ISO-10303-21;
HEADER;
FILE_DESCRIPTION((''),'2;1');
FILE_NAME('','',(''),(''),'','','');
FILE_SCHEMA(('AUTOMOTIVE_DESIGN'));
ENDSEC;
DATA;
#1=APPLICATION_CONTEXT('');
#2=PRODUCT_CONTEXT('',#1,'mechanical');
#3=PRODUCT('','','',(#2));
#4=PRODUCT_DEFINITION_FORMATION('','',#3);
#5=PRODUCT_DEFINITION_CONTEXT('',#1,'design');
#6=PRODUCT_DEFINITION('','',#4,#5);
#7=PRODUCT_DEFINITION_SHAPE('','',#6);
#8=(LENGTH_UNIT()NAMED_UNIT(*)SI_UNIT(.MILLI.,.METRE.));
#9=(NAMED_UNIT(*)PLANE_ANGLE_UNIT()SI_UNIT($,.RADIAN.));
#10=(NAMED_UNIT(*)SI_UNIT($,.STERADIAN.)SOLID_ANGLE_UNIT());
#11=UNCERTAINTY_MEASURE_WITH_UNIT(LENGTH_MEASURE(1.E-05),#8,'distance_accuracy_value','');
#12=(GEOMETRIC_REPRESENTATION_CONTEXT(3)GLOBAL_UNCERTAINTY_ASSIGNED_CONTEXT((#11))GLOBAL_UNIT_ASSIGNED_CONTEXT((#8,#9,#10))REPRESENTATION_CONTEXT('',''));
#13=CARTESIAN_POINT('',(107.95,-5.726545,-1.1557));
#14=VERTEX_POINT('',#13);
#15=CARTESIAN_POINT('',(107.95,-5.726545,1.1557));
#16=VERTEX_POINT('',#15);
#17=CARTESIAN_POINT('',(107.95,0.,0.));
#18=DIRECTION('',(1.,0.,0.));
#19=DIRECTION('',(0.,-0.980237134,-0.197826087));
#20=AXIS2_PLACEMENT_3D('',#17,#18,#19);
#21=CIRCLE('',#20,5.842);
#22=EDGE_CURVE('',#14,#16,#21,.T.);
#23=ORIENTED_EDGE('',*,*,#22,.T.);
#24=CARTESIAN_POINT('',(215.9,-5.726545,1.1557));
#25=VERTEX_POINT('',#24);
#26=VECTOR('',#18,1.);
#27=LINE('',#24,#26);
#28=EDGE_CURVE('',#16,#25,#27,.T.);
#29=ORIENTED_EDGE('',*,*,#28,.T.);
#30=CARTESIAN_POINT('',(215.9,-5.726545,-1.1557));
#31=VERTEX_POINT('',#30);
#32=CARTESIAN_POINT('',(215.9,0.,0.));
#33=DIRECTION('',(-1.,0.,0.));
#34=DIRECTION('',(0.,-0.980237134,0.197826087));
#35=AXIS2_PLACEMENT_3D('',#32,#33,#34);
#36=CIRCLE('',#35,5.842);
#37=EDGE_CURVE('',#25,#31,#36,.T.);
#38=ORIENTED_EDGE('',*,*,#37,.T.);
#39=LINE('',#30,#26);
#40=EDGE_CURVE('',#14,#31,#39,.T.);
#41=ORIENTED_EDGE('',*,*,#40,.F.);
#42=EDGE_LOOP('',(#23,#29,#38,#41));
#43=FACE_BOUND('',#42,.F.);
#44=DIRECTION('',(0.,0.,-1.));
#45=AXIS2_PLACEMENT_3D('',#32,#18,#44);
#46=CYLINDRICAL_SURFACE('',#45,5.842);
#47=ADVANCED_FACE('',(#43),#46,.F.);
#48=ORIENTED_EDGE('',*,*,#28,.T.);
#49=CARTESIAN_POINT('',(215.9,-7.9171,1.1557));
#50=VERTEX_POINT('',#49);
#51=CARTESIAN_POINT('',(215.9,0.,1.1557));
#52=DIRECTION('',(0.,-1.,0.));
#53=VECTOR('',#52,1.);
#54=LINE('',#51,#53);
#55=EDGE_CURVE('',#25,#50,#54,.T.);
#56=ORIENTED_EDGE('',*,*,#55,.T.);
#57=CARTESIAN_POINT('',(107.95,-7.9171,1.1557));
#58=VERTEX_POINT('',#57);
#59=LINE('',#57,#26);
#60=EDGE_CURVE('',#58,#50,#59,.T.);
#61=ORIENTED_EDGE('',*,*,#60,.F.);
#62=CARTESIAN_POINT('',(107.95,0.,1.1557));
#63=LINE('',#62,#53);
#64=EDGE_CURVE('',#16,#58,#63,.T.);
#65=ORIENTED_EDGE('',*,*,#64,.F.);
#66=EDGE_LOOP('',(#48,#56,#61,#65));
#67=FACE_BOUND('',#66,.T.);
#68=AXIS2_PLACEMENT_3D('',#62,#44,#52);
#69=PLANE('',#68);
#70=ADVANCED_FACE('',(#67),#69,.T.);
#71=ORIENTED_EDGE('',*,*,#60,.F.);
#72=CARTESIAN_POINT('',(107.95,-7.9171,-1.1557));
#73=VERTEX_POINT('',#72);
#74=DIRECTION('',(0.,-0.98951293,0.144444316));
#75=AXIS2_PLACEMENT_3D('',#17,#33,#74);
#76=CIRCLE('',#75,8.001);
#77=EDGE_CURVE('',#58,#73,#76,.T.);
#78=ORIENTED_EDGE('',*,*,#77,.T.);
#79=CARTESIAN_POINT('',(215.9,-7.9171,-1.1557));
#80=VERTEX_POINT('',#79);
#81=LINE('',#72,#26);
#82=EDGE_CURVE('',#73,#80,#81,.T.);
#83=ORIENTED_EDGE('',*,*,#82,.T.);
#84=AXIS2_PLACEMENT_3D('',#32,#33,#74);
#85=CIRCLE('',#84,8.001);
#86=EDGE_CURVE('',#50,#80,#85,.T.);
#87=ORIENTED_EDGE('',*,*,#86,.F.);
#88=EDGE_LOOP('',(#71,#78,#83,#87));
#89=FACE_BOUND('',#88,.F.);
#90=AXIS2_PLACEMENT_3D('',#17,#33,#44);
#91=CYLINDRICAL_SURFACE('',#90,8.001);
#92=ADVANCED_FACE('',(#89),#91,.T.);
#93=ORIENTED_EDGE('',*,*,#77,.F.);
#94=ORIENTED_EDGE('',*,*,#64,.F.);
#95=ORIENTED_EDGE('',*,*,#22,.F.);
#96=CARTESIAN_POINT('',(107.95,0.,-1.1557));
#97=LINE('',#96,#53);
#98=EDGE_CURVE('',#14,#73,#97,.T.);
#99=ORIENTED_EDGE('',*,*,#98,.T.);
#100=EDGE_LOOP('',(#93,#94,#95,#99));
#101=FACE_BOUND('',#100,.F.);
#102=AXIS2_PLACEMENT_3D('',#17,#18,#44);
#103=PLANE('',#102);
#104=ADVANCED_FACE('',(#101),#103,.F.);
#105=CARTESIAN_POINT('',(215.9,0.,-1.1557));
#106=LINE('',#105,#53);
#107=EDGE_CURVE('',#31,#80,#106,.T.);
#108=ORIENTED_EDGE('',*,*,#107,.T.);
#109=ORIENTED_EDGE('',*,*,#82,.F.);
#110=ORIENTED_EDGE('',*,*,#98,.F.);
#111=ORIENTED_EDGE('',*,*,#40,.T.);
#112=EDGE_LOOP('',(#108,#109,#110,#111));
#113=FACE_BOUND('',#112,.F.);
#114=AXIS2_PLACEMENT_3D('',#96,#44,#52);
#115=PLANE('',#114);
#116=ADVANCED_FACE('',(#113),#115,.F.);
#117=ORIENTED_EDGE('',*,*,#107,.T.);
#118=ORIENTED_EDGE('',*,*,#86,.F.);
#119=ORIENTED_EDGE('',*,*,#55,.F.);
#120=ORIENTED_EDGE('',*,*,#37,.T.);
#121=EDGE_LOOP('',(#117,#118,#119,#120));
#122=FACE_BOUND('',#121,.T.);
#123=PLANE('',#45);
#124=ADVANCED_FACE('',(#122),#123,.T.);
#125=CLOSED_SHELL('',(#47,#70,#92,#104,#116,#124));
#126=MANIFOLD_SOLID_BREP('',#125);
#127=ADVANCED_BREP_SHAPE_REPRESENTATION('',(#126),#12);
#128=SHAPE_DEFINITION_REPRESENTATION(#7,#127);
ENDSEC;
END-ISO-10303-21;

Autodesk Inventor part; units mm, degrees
ref_plane "YZ Plane" through (0, 0, 0) normal (1, 0, 0) x (0, 1, 0)
ref_plane "XZ Plane" through (0, 0, 0) normal (0, 1, 0) x (-1, 0, 0)
ref_plane "XY Plane" through (0, 0, 0) normal (0, 0, 1) x (1, 0, 0)
ref_plane "Work Plane1" through (107.95, 0, 0) normal (1, 0, 0) x (0, 0, -1)
ref_plane "Work Plane2" through (107.95, 0, 0) normal (1, 0, 0) x (0, 0, -1)
sketch "Sketch3" plane through (107.95, 0, 0) normal (1, 0, 0) x (0, 0, -1)
  line L0 (0, 0) -> (0, -8.001)
  circle A0 centre (0, 0) radius 8.001 projected
  line L1 (0, 0) -> (0, -8.001)
  line L2 (0, -8.001) -> (0, 0)
ref_plane "Work Plane3" through (107.95, 0, 0) normal (1, 0, 0) x (0, 0, -1)
sketch "Sketch4" plane through (107.95, 0, 0) normal (1, 0, 0) x (0, 0, -1)
  line L0 (0, 0) -> (1.1557, 0)
  line L1 (0, 0) -> (-1.1557, 0)
  line L2 (1.1557, 0) -> (1.1557, -7.9171)
  circle A0 centre (0, 0) radius 8.001 projected
  line L3 (-1.1557, 0) -> (-1.1557, -7.9171)
  line L4 (-1.1557, -7.9171) -> (1.1557, -7.9171)
  dimension "d6" = 1.1557
  dimension "d7" = 1.1557
ref_plane "Work Plane4" through (107.95, 0, 0) normal (1, 0, 0) x (0, 0, -1)
sketch "Sketch5" plane through (107.95, 0, 0) normal (1, 0, 0) x (0, 0, -1)
  circle A0 centre (0, 0) radius 8.001 projected
  line L0 (-1.1477, 0) -> (0, 0)
  line L1 (0, 0) -> (0, -8.001)
  line L2 (0, -8.001) -> (-1.1477, -8.001)
  line L3 (-1.1477, -8.001) -> (-1.1477, 0)
extrude "Extrusion3" add sketch "Sketch4" along normal blind 107.95 contours L1 L3 A0 L2 L0
sketch "Sketch6" plane through (215.9, 0, 0) normal (1, 0, 0) x (0, 0, -1)
  circle A0 centre (0, 0) radius 5.842
  dimension "d10" = 11.684
extrude "Extrusion4" cut sketch "Sketch6" against normal blind 107.95
properties part number "Pickup Pvc" material "PVC-Piping"
